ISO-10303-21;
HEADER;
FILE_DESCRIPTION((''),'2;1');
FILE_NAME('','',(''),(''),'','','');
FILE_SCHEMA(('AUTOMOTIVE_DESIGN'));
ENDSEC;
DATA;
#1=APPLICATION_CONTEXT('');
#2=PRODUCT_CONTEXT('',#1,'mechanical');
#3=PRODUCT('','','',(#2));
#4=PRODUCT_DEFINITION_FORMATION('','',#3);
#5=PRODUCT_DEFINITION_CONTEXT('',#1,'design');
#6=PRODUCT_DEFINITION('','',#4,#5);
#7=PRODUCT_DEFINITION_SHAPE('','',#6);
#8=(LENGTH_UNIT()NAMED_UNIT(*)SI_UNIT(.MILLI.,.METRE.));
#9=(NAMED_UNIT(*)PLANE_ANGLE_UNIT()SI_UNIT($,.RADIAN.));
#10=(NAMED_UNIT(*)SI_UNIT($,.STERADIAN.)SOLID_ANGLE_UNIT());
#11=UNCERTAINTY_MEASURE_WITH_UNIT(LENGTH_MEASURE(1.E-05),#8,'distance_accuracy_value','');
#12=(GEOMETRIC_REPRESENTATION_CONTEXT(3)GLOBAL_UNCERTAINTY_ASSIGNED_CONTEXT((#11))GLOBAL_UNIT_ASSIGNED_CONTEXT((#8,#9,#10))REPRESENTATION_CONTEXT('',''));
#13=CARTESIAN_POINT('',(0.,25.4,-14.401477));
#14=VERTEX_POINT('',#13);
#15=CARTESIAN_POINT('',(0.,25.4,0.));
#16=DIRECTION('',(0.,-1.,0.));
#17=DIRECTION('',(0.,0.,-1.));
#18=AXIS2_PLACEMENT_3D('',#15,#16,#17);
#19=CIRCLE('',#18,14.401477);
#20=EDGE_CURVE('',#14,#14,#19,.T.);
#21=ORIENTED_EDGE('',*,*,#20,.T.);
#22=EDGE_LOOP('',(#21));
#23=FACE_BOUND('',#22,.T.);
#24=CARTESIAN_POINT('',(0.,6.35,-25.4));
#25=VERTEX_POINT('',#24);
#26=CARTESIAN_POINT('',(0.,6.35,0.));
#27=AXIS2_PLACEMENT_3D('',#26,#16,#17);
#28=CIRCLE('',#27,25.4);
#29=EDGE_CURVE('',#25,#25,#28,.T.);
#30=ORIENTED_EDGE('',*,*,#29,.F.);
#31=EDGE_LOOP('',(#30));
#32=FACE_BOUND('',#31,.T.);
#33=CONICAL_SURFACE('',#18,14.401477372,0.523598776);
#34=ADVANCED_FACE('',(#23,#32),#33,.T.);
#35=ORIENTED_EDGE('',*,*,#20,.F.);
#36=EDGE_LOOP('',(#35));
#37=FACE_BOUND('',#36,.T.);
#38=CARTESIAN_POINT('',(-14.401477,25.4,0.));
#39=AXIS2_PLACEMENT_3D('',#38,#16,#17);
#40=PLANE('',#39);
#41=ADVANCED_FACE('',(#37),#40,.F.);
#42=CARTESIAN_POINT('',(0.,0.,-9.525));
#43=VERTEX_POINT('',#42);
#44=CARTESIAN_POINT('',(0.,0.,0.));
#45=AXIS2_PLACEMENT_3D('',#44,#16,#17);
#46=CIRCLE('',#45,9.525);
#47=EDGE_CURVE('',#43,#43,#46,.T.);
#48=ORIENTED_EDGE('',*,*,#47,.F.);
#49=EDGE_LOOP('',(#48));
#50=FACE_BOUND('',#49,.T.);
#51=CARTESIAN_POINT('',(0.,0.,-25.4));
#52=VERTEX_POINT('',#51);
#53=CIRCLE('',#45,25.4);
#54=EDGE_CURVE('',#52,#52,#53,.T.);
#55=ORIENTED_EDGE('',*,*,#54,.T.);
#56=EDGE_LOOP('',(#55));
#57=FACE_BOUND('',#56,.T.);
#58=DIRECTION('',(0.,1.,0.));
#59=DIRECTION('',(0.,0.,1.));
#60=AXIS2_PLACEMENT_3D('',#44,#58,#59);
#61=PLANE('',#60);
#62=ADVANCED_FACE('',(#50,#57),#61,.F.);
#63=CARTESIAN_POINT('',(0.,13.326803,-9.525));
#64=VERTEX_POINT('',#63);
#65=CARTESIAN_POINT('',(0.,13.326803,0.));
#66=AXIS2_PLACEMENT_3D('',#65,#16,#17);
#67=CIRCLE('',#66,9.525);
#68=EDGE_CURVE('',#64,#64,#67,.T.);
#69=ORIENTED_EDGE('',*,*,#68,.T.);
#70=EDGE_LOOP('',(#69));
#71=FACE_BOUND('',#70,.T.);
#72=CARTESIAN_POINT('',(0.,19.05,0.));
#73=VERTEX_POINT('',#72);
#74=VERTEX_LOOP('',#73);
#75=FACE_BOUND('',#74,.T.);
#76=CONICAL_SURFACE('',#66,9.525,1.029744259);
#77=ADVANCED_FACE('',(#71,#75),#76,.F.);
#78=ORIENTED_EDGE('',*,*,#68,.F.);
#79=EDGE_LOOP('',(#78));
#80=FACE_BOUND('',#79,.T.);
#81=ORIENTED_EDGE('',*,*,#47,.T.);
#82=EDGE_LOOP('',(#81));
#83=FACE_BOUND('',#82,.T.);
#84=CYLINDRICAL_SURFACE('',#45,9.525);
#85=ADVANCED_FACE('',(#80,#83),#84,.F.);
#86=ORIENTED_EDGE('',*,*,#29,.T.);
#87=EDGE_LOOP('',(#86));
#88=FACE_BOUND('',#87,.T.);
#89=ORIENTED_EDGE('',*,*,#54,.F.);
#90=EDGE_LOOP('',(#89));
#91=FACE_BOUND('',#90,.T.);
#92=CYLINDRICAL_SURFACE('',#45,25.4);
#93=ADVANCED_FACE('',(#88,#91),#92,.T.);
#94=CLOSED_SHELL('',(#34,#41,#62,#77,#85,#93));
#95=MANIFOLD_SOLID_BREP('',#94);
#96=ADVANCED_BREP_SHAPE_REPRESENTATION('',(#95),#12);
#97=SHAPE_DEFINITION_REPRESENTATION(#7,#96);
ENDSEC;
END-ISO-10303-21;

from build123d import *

# Parameters (mm, degrees)
F_5_8_0_75_DIAMETER_HOLE1_D     = 19.05
F_5_8_0_75_DIAMETER_HOLE1_DEPTH = 13.326802604
F_5_8_0_75_DIAMETER_HOLE1_TIP   = 5.723197396


with BuildPart() as part:
    # Sketch5 → Revolve2 (revolve)
    with BuildSketch(Plane.XY, mode=Mode.PRIVATE) as revolve2_sk:
        Polygon((0, 0), (-25.4, 0), (-25.4, 6.35), (-14.401477372, 25.4), (0, 25.4), align=None)
    revolve(revolve2_sk.sketch.rotate(Axis((0, 0, 0), (0, 1, 0)), 270), axis=Axis((0, 0, 0), (0, 1, 0)))

    # 5/8 (0.75) Diameter Hole1
    with Locations(Plane(origin=(0, 0, 0), x_dir=(-1, 0, 0), z_dir=(0, -1, 0))):
        with Locations((0, 0)):
            Hole(F_5_8_0_75_DIAMETER_HOLE1_D / 2, depth=F_5_8_0_75_DIAMETER_HOLE1_DEPTH)
            with Locations((0, 0, -(F_5_8_0_75_DIAMETER_HOLE1_DEPTH + F_5_8_0_75_DIAMETER_HOLE1_TIP / 2))):  # 118° drill point
                Cone(0, F_5_8_0_75_DIAMETER_HOLE1_D / 2, F_5_8_0_75_DIAMETER_HOLE1_TIP, mode=Mode.SUBTRACT)


solid = part.part
